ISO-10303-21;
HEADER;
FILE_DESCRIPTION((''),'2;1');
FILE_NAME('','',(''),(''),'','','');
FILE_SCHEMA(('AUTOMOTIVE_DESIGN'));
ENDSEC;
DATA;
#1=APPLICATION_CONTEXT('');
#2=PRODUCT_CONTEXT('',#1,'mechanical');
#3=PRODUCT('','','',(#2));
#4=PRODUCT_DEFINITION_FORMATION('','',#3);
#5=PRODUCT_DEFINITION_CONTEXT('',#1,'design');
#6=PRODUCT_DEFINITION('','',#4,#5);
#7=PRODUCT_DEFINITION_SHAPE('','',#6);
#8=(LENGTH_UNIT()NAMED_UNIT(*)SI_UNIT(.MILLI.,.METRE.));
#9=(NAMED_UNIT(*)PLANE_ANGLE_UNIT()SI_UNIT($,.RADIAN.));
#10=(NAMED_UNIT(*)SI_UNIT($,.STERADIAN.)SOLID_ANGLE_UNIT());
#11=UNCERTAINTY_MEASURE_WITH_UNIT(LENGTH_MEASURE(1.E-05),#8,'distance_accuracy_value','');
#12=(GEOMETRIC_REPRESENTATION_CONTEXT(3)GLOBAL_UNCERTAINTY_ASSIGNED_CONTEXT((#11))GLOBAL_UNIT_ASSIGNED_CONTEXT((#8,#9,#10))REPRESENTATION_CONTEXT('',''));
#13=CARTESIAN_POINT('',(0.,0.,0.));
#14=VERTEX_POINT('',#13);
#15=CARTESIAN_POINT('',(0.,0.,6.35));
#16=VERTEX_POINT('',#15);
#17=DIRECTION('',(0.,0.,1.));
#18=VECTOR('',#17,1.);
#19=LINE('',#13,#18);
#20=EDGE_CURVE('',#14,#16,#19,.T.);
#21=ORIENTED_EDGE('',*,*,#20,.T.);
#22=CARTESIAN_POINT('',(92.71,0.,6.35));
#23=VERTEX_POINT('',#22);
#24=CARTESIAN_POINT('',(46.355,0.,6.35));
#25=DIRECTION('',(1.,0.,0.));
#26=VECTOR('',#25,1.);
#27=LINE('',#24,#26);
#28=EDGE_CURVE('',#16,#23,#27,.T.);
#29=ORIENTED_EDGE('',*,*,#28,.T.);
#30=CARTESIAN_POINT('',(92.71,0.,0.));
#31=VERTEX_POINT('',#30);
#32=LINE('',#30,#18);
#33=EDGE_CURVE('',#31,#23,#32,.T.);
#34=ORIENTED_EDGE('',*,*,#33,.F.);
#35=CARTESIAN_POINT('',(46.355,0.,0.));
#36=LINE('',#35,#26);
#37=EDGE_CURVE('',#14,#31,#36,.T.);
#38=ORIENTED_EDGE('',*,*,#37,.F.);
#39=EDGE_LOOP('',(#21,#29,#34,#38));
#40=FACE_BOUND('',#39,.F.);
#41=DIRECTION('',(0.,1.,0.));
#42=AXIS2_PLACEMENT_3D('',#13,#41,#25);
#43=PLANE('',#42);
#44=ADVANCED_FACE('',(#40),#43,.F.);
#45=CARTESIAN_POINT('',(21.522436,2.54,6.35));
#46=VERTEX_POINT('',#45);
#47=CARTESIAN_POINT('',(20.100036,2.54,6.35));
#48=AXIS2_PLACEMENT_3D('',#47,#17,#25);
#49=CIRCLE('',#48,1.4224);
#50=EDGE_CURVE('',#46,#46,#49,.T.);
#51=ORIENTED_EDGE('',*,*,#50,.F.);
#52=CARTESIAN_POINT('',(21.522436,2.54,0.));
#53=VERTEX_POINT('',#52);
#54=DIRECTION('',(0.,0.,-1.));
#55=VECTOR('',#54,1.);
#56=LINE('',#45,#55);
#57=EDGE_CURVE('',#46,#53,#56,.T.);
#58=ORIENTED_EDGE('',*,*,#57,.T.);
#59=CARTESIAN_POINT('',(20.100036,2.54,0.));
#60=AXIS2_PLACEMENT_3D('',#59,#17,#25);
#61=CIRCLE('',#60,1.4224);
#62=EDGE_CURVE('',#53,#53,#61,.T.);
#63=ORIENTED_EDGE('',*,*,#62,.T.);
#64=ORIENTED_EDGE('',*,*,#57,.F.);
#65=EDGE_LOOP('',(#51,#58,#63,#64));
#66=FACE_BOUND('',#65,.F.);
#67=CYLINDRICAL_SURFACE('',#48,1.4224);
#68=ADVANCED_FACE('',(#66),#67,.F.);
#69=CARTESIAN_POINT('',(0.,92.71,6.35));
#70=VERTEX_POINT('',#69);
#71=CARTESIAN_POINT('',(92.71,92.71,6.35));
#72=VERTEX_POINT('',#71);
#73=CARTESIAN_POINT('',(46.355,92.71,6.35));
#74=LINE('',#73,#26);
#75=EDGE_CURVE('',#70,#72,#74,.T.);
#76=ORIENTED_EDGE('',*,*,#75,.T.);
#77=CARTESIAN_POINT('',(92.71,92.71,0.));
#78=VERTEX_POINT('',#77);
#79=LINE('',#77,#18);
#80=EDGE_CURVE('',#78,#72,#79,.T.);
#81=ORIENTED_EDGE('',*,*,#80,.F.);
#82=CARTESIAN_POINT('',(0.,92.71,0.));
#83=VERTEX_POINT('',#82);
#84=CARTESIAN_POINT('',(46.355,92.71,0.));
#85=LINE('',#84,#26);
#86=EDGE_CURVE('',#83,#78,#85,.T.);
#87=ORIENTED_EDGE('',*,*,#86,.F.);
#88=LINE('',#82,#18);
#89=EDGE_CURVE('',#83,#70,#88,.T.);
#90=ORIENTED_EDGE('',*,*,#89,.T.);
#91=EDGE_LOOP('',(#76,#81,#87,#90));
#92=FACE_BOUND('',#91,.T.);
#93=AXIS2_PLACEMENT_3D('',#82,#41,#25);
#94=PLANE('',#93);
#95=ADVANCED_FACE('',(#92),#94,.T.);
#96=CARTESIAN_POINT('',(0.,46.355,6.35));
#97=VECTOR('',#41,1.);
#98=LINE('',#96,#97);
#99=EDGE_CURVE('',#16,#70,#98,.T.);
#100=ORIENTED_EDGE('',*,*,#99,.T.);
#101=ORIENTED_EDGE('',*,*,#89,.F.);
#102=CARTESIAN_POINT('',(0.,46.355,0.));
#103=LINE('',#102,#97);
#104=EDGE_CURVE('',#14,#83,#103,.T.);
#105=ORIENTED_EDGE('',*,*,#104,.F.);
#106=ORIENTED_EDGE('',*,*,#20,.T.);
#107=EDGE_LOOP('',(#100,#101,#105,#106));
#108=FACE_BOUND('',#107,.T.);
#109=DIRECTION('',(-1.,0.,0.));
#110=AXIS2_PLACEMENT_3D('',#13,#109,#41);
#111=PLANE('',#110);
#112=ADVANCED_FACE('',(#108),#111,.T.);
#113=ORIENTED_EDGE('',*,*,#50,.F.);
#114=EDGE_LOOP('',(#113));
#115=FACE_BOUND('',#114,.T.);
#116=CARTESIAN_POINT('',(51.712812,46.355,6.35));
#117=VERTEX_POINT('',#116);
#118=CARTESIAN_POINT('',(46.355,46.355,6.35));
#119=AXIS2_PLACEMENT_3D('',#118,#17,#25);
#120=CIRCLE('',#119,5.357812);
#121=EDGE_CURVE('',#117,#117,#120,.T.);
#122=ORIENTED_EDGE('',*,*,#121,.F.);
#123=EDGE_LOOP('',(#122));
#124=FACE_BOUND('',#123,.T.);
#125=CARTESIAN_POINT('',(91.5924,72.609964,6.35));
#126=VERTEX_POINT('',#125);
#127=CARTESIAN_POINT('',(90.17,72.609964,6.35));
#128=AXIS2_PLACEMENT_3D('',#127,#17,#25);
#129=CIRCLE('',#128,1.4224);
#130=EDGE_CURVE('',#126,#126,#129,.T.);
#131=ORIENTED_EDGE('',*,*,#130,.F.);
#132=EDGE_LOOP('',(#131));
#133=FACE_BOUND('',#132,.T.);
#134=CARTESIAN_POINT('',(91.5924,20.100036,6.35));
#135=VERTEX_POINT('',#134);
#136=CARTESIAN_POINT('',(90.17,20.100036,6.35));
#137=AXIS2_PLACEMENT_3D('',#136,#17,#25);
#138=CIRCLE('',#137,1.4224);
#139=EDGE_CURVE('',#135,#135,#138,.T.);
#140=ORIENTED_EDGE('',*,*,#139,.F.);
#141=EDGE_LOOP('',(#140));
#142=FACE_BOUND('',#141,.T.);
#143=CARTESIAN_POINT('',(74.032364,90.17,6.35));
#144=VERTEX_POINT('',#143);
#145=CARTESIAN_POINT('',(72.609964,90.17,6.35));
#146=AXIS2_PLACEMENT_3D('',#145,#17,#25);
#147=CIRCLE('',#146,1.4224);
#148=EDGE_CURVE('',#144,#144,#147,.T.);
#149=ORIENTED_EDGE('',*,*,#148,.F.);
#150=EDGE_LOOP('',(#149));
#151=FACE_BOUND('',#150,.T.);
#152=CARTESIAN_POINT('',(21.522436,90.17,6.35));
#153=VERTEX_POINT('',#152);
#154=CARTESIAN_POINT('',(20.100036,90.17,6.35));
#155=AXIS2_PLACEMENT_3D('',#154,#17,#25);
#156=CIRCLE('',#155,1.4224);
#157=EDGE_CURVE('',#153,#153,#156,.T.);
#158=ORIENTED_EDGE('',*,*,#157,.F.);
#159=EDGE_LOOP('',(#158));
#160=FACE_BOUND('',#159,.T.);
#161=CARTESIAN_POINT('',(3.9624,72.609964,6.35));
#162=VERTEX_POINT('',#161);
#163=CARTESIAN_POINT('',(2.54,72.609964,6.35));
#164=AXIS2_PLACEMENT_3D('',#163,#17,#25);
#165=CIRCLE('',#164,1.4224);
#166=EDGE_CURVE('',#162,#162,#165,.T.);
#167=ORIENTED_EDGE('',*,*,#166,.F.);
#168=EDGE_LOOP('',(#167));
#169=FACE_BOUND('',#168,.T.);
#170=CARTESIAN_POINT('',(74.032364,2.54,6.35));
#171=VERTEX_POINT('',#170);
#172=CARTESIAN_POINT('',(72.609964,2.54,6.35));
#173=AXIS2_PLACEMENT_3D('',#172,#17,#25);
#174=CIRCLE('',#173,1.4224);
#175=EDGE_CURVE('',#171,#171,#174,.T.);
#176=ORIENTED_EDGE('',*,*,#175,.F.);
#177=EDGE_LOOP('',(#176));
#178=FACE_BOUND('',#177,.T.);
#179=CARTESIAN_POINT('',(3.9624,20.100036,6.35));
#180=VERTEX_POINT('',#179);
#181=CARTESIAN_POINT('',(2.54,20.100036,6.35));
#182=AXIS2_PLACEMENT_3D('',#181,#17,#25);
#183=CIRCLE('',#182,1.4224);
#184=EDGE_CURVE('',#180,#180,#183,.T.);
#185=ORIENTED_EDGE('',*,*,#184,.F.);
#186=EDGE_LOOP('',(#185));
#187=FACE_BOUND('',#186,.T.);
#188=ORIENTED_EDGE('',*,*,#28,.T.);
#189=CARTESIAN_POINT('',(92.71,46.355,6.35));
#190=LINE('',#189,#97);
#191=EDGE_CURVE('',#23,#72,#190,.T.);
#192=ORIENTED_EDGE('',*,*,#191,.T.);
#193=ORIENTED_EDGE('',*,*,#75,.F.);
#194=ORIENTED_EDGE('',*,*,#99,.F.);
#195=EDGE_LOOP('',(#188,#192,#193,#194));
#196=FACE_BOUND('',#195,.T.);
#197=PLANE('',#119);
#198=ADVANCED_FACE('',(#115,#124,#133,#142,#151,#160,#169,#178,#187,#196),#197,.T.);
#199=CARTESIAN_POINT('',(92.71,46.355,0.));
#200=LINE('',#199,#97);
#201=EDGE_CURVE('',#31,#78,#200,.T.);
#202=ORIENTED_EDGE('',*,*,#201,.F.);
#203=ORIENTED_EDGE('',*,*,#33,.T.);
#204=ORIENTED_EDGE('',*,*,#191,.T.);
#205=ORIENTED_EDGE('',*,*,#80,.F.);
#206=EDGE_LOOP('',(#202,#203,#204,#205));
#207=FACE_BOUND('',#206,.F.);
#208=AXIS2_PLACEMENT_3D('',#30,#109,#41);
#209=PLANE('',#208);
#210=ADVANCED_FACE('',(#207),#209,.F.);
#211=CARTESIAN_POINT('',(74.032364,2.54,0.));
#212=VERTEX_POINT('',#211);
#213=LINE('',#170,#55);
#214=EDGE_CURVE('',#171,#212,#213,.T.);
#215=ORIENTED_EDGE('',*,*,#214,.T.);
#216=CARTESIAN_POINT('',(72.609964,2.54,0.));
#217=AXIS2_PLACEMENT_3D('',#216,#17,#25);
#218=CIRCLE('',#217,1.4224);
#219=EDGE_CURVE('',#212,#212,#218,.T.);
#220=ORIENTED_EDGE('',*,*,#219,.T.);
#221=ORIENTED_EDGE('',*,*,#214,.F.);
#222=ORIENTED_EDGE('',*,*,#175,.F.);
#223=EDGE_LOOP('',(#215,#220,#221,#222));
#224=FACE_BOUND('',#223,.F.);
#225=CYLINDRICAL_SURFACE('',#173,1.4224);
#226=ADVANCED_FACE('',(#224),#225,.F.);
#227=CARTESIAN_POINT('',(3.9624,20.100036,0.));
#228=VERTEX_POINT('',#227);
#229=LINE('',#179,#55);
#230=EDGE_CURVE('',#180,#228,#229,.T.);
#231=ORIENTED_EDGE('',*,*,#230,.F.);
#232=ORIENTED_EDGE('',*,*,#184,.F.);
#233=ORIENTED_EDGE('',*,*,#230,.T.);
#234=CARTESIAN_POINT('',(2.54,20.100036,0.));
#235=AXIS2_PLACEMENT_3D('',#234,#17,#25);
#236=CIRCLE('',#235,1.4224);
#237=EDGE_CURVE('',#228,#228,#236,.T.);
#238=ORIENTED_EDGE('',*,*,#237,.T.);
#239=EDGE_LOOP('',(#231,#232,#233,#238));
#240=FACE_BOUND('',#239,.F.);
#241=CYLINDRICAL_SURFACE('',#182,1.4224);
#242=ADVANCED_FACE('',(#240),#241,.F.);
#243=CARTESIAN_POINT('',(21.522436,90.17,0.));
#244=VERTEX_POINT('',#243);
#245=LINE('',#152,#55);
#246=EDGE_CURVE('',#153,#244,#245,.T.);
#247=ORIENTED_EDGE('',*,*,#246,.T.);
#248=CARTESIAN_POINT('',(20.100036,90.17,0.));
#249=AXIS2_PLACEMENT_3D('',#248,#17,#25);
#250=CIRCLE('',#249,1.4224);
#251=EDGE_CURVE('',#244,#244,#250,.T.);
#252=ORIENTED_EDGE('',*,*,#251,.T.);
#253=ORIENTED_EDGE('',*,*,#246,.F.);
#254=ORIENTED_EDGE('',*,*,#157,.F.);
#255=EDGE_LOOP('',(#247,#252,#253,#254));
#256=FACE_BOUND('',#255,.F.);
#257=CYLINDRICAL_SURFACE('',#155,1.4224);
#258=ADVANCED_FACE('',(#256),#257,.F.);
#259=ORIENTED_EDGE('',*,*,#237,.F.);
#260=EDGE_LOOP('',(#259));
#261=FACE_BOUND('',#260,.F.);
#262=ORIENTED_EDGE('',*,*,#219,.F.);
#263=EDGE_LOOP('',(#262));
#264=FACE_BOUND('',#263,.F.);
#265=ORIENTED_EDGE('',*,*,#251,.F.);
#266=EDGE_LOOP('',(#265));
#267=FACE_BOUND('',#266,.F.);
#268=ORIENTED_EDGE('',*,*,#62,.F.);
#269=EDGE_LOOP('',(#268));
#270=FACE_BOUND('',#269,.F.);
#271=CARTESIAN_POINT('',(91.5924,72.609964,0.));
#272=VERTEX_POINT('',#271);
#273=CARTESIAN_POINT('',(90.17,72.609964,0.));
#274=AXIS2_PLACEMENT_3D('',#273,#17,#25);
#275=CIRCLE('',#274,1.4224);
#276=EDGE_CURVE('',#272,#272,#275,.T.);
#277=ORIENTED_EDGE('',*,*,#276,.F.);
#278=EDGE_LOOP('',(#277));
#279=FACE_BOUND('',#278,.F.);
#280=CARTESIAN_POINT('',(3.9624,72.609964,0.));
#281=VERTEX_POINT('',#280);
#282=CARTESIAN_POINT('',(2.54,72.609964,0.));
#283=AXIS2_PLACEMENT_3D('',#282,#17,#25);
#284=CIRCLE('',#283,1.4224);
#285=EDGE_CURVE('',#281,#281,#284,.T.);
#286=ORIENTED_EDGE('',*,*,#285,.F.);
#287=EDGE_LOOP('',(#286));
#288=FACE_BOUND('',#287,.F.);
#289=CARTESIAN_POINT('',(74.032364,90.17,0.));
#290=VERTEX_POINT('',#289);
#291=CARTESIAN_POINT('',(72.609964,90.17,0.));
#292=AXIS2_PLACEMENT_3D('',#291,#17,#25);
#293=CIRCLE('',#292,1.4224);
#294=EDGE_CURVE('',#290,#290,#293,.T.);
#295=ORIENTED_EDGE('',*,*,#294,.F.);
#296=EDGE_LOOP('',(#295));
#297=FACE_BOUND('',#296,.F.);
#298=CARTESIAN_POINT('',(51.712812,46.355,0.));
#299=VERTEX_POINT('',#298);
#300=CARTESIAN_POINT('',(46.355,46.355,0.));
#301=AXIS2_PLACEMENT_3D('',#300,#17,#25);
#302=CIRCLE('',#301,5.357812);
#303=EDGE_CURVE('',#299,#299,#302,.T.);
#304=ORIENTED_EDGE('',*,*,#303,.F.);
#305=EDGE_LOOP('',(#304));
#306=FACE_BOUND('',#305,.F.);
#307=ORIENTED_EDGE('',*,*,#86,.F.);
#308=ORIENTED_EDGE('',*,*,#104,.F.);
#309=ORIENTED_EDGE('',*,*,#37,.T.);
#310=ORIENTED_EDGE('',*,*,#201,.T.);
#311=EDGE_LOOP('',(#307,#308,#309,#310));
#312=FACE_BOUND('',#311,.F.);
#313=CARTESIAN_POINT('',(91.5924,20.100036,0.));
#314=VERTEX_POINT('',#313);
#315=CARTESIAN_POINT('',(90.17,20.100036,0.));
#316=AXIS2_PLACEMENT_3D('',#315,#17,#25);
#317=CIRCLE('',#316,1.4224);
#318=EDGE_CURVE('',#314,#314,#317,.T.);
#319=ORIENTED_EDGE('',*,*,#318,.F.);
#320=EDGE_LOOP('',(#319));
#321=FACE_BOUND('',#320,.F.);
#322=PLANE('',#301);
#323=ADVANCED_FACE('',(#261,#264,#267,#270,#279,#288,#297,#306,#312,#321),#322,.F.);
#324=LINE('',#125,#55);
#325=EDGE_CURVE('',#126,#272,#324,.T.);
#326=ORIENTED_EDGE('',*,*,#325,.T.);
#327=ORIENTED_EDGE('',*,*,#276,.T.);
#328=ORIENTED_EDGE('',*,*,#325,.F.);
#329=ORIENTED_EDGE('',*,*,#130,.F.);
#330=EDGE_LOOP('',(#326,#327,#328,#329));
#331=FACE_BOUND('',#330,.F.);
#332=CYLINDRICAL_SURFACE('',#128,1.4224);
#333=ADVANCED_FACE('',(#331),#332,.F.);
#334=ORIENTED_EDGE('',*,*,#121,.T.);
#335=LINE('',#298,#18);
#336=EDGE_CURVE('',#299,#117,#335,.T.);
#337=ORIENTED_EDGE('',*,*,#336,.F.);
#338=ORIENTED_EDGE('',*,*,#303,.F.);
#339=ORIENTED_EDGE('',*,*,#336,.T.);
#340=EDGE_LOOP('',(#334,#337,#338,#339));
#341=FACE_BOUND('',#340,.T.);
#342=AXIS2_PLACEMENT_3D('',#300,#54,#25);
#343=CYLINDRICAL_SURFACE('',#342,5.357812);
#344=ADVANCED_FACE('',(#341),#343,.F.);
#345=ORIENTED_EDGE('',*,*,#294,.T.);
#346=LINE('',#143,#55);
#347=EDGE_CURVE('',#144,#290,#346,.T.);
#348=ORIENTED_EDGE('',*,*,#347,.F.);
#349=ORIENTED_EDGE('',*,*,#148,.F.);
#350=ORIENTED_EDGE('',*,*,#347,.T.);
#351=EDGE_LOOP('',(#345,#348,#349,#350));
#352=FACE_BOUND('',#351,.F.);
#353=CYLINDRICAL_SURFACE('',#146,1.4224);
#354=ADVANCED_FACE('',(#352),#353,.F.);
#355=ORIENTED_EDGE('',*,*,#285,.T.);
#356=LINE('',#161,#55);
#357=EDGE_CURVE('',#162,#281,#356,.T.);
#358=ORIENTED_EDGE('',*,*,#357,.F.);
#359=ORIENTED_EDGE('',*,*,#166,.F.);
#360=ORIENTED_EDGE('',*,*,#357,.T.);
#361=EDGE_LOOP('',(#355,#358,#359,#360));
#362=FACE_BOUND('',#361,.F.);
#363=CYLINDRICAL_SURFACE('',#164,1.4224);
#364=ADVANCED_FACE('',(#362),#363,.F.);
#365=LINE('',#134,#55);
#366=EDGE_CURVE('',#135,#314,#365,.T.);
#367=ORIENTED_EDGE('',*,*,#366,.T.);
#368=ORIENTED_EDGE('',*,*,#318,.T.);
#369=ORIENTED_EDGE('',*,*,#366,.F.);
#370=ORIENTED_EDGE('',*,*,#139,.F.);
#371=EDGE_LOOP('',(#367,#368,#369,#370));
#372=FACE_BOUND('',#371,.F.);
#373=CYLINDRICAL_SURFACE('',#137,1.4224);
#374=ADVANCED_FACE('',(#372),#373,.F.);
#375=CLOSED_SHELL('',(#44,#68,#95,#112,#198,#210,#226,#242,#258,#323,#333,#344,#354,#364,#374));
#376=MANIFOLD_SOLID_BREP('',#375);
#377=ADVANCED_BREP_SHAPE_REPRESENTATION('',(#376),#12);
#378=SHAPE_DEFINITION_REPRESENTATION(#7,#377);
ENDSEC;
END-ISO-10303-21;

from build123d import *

# Parameters (mm, degrees)
SKETCH1_W           = 92.71
SKETCH1_H           = 92.71
SKETCH1_R           = 5.3578125
BOSS_EXTRUDE1_DEPTH = 6.35
SKETCH2_R           = 1.4224
CUT_EXTRUDE1_DEPTH  = 6.35


with BuildPart() as part:
    # Sketch1 → Boss-Extrude1 (new body)
    with BuildSketch(Plane.XY):
        with Locations((46.355, 46.355)):
            Rectangle(SKETCH1_W, SKETCH1_H)
        with Locations((46.355, 46.355)):
            Circle(SKETCH1_R, mode=Mode.SUBTRACT)
    extrude(amount=BOSS_EXTRUDE1_DEPTH)

    # Sketch2 → Cut-Extrude1 (cut)
    with BuildSketch(Plane.XY.offset(6.35)):
        with Locations((2.54, 20.100036)):
            Circle(SKETCH2_R)
        with Locations((20.100036, 2.54)):
            Circle(SKETCH2_R)
        with Locations((72.609964, 2.54)):
            Circle(SKETCH2_R)
        with Locations((90.17, 20.100036)):
            Circle(SKETCH2_R)
        with Locations((90.17, 72.609964)):
            Circle(SKETCH2_R)
        with Locations((72.609964, 90.17)):
            Circle(SKETCH2_R)
        with Locations((20.100036, 90.17)):
            Circle(SKETCH2_R)
        with Locations((2.54, 72.609964)):
            Circle(SKETCH2_R)
    extrude(amount=-CUT_EXTRUDE1_DEPTH, mode=Mode.SUBTRACT)


solid = part.part
